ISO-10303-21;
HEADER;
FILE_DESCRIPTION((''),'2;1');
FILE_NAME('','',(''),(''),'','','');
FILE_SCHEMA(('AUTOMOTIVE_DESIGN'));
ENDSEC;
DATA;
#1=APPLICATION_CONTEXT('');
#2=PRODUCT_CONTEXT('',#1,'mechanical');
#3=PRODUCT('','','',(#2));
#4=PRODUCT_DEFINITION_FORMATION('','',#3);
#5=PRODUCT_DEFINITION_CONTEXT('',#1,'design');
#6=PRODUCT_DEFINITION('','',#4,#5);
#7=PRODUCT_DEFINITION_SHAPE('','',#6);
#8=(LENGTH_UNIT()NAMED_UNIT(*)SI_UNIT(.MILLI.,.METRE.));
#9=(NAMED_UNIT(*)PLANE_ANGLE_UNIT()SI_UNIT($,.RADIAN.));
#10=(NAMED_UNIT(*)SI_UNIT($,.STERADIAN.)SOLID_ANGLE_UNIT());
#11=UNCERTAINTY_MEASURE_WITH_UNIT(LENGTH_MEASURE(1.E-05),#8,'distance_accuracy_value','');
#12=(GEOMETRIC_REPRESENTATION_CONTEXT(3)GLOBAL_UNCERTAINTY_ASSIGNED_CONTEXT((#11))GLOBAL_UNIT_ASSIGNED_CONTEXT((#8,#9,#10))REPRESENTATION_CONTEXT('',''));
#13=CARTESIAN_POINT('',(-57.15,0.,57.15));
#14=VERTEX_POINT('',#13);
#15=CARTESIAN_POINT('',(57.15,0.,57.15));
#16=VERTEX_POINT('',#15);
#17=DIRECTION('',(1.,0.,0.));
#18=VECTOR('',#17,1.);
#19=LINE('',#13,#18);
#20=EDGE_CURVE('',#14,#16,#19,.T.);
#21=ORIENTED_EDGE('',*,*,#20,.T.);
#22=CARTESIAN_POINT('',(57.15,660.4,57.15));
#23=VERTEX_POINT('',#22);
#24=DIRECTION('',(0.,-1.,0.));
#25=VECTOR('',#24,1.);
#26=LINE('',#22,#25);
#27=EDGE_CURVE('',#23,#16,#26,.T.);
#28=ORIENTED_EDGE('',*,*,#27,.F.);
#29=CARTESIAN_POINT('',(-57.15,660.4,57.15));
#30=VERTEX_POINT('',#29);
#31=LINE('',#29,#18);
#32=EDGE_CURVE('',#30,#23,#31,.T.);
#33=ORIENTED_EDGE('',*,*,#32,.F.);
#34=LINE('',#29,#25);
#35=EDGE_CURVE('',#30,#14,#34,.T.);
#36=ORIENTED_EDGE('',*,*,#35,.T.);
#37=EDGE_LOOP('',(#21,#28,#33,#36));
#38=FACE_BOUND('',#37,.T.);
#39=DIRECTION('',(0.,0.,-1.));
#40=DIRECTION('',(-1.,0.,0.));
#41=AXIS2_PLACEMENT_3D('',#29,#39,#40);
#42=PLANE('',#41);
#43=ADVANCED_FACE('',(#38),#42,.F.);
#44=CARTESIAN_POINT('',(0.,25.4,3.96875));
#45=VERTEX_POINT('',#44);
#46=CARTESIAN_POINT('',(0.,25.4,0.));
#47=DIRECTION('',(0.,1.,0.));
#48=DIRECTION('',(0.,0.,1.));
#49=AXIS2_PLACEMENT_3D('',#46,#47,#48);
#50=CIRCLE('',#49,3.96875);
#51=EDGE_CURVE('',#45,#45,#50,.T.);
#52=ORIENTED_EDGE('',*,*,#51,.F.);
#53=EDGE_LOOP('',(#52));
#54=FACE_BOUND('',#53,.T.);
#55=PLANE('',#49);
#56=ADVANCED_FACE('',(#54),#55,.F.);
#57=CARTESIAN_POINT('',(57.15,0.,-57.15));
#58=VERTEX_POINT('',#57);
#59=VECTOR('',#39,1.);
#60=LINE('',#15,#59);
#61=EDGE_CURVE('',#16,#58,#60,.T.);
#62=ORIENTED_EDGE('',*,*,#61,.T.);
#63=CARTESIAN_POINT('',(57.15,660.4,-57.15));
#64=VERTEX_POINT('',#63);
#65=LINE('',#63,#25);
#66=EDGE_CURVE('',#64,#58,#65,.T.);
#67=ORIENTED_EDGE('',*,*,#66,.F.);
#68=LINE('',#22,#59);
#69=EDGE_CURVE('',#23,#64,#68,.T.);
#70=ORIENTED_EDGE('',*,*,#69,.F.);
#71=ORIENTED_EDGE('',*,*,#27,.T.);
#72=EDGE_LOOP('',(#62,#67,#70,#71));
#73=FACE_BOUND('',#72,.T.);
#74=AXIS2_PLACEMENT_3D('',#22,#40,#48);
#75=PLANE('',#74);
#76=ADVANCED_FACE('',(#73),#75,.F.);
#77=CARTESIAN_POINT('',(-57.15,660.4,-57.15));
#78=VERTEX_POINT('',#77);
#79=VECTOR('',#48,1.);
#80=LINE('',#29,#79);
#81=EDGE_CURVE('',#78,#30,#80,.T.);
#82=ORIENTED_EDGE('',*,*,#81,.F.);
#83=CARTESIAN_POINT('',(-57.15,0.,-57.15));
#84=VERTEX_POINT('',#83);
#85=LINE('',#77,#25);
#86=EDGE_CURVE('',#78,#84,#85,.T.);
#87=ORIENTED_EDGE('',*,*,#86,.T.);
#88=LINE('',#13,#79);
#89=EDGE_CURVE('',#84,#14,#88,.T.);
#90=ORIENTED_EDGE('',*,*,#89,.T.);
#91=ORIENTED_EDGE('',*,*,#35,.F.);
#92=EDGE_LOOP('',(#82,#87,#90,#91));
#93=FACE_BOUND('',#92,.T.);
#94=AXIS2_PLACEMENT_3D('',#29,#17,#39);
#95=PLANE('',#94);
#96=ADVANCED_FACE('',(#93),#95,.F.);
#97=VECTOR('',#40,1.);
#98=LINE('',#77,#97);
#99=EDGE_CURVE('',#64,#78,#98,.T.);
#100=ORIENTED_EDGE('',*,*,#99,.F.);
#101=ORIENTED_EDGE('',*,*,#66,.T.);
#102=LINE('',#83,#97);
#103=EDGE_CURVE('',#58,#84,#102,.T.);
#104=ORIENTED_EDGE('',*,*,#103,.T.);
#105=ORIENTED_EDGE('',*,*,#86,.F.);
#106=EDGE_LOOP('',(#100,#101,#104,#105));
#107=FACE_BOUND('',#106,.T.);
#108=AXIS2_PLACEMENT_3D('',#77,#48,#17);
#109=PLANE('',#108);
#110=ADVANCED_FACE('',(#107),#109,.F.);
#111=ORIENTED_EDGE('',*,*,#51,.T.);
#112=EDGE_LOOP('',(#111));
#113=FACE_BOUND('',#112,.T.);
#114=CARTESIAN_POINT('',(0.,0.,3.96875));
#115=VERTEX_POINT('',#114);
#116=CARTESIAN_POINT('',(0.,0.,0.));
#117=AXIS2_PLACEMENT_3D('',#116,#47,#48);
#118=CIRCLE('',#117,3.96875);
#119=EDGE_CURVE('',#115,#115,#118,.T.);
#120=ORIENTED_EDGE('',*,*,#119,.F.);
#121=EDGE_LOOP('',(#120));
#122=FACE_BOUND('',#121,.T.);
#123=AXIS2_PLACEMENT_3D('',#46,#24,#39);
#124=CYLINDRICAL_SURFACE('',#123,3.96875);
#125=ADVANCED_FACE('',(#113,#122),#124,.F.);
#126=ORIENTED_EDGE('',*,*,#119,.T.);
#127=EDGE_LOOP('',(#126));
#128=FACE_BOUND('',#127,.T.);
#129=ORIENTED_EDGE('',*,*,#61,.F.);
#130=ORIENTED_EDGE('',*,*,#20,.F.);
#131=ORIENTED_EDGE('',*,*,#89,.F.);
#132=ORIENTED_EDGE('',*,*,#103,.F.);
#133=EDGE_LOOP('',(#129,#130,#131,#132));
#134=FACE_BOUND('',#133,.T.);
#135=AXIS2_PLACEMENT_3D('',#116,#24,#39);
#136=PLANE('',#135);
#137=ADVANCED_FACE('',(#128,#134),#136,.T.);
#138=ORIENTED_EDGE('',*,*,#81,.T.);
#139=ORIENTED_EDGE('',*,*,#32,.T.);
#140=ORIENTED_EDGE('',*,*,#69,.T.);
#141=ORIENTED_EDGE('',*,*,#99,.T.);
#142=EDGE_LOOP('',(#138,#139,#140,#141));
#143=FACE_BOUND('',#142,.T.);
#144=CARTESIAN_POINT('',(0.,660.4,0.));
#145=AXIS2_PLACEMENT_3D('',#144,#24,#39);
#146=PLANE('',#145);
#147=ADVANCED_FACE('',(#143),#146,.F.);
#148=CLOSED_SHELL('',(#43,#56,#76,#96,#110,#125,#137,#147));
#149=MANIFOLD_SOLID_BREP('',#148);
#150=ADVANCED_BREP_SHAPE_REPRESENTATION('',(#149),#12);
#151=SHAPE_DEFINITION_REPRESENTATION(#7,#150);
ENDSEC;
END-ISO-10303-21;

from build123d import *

# Parameters (mm, degrees)
SKETCH1_W           = 114.3
SKETCH1_H           = 114.3
BOSS_EXTRUDE1_DEPTH = 660.4
SKETCH2_R           = 3.96875
CUT_EXTRUDE1_DEPTH  = 25.4


with BuildPart() as part:
    # Sketch1 → Boss-Extrude1 (new body)
    with BuildSketch(Plane(origin=(0, 0, 0), x_dir=(1, 0, 0), z_dir=(0, 1, 0))):
        Rectangle(SKETCH1_W, SKETCH1_H)
    extrude(amount=BOSS_EXTRUDE1_DEPTH)

    # Sketch2 → Cut-Extrude1 (cut)
    with BuildSketch(Plane(origin=(0, 0, 0), x_dir=(1, 0, 0), z_dir=(0, 1, 0))):
        with Locations(Location((0, 0, 0), (0, 0, 270))):
            Circle(SKETCH2_R)
    extrude(amount=CUT_EXTRUDE1_DEPTH, mode=Mode.SUBTRACT)


solid = part.part
